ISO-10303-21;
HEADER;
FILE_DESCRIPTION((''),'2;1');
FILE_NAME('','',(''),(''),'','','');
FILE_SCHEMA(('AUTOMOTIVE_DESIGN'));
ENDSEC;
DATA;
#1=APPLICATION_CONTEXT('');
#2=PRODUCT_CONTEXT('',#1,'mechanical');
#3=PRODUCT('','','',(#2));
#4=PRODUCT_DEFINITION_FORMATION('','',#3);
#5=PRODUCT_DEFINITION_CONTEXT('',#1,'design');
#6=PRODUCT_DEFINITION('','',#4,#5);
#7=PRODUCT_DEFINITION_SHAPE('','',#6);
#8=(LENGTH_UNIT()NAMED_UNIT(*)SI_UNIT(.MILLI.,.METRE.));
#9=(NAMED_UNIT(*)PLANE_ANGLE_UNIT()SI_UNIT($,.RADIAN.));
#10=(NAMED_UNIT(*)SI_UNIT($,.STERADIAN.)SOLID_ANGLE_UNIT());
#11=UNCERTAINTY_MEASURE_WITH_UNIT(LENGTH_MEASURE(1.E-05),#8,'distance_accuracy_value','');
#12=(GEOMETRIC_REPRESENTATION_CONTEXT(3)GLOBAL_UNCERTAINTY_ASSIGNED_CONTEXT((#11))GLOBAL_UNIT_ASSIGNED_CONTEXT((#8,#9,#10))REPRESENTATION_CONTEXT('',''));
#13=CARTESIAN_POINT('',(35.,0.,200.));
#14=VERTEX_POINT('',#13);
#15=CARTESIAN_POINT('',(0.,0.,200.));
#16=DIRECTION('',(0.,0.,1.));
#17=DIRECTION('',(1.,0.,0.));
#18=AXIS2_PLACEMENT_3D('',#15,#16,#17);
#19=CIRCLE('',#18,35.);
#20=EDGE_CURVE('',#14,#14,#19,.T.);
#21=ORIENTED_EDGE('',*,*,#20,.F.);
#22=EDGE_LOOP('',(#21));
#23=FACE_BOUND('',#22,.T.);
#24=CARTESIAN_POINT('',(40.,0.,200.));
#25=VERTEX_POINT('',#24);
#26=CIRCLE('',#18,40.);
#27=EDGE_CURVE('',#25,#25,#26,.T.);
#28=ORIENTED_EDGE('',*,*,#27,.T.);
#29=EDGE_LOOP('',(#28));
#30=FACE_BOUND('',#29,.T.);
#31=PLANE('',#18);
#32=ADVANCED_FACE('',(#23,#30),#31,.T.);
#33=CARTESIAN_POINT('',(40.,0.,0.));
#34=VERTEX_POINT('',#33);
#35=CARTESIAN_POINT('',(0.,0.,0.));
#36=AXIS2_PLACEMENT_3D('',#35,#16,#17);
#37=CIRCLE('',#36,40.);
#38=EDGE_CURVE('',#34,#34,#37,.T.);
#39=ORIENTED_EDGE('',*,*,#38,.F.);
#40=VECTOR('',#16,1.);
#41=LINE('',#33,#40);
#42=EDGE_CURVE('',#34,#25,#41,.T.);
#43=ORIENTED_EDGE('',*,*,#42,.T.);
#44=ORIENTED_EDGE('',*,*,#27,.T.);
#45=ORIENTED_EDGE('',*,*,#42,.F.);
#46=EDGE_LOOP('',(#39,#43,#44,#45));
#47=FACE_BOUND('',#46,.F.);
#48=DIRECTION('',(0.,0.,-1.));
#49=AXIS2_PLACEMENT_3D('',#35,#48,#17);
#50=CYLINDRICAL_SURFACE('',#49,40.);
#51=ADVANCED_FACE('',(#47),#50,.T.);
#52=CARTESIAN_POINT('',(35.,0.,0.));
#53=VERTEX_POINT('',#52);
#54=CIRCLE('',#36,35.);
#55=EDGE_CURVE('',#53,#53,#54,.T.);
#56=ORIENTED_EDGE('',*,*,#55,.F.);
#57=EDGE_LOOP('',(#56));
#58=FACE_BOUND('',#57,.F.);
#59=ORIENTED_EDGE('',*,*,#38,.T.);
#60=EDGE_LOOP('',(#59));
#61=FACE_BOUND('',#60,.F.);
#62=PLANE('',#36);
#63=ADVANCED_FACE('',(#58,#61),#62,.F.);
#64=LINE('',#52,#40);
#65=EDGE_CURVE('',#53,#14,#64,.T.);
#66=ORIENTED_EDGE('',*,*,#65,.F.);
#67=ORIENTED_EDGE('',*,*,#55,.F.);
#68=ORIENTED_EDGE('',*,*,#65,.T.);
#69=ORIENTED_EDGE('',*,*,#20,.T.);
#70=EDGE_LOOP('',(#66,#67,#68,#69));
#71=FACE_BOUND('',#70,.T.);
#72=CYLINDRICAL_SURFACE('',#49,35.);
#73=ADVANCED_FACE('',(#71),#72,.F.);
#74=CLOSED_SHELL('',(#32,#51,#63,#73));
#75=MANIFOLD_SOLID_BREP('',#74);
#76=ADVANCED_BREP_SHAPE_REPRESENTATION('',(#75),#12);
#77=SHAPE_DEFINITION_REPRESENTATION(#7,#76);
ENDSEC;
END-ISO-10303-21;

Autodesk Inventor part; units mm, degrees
ref_plane "YZ Plane" through (0, 0, 0) normal (1, 0, 0) x (0, 1, 0)
ref_plane "XZ Plane" through (0, 0, 0) normal (0, 1, 0) x (-1, 0, 0)
ref_plane "XY Plane" through (0, 0, 0) normal (0, 0, 1) x (1, 0, 0)
sketch "Szkic1" plane through (0, 0, 0) normal (0, 0, 1) x (1, 0, 0)
  circle A0 centre (0, 0) radius 40
  circle A1 centre (0, 0) radius 35
  dimension "d0" = 80
  dimension "d1" = 5
extrude "Wyciągnięcie proste1" add sketch "Szkic1" along normal blind 200
sketch "Szkic2" plane through (0, 0, 0) normal (0, 0, -1) x (-1, 0, 0)
  circle A0 centre (0, 0) radius 40
properties part number "tuba" material "Tworzywo sztuczne ABS"
